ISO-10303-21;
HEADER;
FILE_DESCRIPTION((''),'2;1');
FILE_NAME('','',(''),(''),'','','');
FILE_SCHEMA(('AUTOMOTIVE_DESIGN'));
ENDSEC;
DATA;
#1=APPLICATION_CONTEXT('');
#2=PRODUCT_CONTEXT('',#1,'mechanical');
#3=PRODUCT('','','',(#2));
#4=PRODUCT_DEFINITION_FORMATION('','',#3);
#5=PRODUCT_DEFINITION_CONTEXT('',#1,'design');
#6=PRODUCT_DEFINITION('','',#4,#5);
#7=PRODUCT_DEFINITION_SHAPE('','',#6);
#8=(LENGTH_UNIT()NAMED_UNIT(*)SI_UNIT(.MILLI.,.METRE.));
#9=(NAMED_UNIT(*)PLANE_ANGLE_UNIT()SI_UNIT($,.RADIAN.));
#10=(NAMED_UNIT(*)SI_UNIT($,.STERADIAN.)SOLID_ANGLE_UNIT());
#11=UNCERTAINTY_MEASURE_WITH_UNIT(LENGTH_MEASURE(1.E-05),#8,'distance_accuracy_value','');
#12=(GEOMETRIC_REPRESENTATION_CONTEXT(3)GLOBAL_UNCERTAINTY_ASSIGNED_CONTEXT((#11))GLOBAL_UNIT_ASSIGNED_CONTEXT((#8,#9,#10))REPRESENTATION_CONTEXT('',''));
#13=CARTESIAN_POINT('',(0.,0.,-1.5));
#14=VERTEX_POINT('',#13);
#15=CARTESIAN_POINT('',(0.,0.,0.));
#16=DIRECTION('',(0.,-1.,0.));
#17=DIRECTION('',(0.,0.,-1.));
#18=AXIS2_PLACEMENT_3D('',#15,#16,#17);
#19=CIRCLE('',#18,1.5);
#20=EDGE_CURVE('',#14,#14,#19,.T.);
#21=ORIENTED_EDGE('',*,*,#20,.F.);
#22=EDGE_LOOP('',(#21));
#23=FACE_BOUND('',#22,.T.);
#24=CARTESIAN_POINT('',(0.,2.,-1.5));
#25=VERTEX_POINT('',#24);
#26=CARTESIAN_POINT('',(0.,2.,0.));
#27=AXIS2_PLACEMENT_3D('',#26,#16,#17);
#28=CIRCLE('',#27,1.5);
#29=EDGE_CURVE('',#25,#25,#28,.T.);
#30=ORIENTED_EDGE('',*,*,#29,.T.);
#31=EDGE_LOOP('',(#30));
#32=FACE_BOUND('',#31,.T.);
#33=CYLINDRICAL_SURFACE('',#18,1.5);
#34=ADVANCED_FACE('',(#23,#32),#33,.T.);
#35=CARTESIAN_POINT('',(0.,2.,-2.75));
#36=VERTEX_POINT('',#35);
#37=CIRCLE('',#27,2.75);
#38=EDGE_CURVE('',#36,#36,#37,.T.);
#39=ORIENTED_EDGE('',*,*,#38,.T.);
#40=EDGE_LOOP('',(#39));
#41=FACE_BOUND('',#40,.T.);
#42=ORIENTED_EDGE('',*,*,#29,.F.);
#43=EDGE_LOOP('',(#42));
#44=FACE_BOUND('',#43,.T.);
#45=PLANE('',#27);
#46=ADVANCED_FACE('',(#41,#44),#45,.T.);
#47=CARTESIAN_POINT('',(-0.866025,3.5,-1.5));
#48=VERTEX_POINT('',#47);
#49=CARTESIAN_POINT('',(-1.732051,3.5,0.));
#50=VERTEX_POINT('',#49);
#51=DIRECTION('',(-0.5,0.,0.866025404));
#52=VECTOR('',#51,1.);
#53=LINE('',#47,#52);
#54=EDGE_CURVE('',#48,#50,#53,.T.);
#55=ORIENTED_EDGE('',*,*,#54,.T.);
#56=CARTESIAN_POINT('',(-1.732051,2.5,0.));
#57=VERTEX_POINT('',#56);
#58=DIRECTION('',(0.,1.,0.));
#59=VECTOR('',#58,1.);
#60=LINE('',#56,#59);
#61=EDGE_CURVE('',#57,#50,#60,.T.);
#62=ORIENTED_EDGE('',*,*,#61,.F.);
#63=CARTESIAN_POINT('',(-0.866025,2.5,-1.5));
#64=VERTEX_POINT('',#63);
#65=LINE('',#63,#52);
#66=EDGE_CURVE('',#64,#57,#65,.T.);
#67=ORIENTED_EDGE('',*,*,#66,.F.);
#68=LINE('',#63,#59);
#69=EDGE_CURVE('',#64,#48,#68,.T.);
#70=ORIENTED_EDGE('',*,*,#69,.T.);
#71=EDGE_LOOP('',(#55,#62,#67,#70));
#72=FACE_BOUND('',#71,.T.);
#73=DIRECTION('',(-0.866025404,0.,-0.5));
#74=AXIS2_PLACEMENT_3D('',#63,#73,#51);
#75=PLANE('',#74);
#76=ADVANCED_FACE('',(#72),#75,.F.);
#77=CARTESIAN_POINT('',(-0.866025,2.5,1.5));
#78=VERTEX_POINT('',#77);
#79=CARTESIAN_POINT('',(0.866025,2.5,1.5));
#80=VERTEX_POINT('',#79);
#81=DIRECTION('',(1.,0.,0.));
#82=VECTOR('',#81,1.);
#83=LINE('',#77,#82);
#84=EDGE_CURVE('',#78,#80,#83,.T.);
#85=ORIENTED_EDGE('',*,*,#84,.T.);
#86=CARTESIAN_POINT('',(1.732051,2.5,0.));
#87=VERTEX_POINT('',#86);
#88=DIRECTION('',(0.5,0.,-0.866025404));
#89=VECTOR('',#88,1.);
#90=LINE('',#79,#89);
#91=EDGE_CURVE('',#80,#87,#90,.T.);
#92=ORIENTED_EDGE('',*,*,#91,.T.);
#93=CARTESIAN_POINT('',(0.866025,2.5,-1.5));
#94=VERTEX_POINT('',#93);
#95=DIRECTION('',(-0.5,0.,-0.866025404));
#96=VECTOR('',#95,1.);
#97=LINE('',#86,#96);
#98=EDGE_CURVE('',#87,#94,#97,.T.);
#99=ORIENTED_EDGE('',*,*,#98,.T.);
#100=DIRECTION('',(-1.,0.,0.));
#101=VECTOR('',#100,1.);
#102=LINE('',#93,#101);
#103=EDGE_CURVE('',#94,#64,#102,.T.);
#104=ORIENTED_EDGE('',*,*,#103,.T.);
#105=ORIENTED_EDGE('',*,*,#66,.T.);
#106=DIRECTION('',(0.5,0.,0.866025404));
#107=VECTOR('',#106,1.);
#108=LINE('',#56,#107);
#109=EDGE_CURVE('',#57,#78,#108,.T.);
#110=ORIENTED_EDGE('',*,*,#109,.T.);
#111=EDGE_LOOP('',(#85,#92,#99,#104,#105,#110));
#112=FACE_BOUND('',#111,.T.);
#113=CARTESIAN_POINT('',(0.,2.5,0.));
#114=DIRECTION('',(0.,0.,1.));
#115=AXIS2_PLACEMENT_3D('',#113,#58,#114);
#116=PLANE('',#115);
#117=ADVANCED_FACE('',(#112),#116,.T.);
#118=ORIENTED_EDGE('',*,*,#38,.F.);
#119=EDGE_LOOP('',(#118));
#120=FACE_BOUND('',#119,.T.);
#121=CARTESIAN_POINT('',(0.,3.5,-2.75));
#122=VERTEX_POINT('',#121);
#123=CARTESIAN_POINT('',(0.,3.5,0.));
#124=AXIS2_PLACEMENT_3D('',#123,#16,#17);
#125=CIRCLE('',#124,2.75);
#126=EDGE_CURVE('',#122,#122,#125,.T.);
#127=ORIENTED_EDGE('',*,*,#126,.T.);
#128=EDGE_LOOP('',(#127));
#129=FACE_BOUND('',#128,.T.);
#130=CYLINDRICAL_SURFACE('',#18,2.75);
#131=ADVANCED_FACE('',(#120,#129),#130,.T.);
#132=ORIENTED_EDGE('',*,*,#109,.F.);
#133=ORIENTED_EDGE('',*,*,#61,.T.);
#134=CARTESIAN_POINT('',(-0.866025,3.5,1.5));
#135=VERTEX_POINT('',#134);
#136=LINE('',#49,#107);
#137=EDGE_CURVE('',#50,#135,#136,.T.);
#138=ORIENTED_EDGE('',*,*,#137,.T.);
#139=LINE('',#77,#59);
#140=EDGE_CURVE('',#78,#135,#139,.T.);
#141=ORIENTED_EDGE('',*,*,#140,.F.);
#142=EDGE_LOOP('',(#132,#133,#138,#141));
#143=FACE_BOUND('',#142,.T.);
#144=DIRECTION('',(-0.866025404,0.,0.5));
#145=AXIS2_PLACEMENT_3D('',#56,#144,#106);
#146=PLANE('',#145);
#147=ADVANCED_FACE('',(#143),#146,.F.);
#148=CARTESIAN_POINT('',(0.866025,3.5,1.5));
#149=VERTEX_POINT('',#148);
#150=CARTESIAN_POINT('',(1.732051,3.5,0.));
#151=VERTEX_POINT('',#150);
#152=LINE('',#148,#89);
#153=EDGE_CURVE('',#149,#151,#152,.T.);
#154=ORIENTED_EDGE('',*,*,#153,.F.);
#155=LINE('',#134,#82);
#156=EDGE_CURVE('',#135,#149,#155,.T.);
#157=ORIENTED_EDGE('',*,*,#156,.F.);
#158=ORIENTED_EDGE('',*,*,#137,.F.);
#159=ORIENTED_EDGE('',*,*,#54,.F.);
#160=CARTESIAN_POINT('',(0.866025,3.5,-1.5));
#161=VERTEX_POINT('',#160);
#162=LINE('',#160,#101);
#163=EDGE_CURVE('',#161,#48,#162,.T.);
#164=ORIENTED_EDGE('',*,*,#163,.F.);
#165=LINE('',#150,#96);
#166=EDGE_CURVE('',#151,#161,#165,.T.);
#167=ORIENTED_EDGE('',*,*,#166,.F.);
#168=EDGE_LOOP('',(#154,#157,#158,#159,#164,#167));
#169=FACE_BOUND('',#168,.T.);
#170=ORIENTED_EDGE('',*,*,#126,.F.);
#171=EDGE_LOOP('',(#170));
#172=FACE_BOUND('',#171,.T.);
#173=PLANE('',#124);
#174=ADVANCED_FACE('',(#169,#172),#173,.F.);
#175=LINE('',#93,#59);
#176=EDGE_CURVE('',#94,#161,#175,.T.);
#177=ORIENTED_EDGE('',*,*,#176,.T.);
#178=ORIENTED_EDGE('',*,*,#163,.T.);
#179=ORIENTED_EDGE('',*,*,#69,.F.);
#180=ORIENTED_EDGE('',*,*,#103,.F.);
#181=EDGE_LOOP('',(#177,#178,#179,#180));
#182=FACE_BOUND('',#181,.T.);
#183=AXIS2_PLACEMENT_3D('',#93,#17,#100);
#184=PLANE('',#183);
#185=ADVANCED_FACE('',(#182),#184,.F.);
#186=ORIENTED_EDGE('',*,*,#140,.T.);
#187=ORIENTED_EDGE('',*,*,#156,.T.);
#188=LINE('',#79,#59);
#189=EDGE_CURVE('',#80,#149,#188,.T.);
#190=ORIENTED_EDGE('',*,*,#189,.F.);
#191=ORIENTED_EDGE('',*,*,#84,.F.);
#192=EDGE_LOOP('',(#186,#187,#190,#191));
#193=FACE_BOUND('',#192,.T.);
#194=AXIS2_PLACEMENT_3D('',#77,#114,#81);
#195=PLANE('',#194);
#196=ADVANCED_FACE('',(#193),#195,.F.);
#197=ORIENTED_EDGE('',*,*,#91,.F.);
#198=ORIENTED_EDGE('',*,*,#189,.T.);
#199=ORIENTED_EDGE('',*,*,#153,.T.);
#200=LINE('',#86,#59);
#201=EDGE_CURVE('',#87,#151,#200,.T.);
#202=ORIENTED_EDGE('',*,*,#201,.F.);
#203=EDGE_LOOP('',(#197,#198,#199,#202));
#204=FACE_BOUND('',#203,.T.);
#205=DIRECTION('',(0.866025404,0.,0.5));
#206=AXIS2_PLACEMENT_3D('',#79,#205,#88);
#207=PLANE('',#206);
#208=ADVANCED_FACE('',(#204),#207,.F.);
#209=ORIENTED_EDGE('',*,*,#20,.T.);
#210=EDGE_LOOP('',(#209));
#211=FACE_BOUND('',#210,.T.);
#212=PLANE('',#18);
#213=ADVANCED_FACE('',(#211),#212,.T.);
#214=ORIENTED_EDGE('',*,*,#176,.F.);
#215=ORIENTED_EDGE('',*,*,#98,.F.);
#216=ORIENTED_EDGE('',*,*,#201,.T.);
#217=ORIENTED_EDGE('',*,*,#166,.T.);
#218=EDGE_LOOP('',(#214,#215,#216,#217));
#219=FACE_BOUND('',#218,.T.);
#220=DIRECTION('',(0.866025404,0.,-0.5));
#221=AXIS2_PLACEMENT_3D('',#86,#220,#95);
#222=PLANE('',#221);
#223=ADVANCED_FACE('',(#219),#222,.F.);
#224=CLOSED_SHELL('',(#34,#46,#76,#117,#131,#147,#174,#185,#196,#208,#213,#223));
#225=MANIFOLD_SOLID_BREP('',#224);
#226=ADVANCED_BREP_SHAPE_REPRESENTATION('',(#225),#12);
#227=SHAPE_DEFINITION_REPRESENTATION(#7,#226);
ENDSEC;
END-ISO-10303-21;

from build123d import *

# Parameters (mm, degrees)
SKETCH1_W          = 1.5
SKETCH1_H          = 2
CUT_EXTRUDE1_DEPTH = 1


with BuildPart() as part:
    # Sketch1 → Revolve1 (revolve)
    with BuildSketch(Plane.XY, mode=Mode.PRIVATE) as revolve1_sk:
        Polygon((0, 3.5), (0, 2), (1.5, 2), (2.75, 2), (2.75, 3.5), align=None)
        with Locations((0.75, 1)):
            Rectangle(SKETCH1_W, SKETCH1_H)
    revolve(revolve1_sk.sketch.rotate(Axis((0, 0, 0), (0, 1, 0)), 90), axis=Axis((0, 0, 0), (0, 1, 0)))

    # Sketch2 → Cut-Extrude1 (cut)
    with BuildSketch(Plane(origin=(0, 3.5, 0), x_dir=(1, 0, 0), z_dir=(0, 1, 0))):
        Polygon((-1.732050808, 0), (-0.866025404, -1.5), (0.866025404, -1.5), (1.732050808, 0), (0.866025404, 1.5), (-0.866025404, 1.5), align=None)
    extrude(amount=-CUT_EXTRUDE1_DEPTH, mode=Mode.SUBTRACT)


solid = part.part
